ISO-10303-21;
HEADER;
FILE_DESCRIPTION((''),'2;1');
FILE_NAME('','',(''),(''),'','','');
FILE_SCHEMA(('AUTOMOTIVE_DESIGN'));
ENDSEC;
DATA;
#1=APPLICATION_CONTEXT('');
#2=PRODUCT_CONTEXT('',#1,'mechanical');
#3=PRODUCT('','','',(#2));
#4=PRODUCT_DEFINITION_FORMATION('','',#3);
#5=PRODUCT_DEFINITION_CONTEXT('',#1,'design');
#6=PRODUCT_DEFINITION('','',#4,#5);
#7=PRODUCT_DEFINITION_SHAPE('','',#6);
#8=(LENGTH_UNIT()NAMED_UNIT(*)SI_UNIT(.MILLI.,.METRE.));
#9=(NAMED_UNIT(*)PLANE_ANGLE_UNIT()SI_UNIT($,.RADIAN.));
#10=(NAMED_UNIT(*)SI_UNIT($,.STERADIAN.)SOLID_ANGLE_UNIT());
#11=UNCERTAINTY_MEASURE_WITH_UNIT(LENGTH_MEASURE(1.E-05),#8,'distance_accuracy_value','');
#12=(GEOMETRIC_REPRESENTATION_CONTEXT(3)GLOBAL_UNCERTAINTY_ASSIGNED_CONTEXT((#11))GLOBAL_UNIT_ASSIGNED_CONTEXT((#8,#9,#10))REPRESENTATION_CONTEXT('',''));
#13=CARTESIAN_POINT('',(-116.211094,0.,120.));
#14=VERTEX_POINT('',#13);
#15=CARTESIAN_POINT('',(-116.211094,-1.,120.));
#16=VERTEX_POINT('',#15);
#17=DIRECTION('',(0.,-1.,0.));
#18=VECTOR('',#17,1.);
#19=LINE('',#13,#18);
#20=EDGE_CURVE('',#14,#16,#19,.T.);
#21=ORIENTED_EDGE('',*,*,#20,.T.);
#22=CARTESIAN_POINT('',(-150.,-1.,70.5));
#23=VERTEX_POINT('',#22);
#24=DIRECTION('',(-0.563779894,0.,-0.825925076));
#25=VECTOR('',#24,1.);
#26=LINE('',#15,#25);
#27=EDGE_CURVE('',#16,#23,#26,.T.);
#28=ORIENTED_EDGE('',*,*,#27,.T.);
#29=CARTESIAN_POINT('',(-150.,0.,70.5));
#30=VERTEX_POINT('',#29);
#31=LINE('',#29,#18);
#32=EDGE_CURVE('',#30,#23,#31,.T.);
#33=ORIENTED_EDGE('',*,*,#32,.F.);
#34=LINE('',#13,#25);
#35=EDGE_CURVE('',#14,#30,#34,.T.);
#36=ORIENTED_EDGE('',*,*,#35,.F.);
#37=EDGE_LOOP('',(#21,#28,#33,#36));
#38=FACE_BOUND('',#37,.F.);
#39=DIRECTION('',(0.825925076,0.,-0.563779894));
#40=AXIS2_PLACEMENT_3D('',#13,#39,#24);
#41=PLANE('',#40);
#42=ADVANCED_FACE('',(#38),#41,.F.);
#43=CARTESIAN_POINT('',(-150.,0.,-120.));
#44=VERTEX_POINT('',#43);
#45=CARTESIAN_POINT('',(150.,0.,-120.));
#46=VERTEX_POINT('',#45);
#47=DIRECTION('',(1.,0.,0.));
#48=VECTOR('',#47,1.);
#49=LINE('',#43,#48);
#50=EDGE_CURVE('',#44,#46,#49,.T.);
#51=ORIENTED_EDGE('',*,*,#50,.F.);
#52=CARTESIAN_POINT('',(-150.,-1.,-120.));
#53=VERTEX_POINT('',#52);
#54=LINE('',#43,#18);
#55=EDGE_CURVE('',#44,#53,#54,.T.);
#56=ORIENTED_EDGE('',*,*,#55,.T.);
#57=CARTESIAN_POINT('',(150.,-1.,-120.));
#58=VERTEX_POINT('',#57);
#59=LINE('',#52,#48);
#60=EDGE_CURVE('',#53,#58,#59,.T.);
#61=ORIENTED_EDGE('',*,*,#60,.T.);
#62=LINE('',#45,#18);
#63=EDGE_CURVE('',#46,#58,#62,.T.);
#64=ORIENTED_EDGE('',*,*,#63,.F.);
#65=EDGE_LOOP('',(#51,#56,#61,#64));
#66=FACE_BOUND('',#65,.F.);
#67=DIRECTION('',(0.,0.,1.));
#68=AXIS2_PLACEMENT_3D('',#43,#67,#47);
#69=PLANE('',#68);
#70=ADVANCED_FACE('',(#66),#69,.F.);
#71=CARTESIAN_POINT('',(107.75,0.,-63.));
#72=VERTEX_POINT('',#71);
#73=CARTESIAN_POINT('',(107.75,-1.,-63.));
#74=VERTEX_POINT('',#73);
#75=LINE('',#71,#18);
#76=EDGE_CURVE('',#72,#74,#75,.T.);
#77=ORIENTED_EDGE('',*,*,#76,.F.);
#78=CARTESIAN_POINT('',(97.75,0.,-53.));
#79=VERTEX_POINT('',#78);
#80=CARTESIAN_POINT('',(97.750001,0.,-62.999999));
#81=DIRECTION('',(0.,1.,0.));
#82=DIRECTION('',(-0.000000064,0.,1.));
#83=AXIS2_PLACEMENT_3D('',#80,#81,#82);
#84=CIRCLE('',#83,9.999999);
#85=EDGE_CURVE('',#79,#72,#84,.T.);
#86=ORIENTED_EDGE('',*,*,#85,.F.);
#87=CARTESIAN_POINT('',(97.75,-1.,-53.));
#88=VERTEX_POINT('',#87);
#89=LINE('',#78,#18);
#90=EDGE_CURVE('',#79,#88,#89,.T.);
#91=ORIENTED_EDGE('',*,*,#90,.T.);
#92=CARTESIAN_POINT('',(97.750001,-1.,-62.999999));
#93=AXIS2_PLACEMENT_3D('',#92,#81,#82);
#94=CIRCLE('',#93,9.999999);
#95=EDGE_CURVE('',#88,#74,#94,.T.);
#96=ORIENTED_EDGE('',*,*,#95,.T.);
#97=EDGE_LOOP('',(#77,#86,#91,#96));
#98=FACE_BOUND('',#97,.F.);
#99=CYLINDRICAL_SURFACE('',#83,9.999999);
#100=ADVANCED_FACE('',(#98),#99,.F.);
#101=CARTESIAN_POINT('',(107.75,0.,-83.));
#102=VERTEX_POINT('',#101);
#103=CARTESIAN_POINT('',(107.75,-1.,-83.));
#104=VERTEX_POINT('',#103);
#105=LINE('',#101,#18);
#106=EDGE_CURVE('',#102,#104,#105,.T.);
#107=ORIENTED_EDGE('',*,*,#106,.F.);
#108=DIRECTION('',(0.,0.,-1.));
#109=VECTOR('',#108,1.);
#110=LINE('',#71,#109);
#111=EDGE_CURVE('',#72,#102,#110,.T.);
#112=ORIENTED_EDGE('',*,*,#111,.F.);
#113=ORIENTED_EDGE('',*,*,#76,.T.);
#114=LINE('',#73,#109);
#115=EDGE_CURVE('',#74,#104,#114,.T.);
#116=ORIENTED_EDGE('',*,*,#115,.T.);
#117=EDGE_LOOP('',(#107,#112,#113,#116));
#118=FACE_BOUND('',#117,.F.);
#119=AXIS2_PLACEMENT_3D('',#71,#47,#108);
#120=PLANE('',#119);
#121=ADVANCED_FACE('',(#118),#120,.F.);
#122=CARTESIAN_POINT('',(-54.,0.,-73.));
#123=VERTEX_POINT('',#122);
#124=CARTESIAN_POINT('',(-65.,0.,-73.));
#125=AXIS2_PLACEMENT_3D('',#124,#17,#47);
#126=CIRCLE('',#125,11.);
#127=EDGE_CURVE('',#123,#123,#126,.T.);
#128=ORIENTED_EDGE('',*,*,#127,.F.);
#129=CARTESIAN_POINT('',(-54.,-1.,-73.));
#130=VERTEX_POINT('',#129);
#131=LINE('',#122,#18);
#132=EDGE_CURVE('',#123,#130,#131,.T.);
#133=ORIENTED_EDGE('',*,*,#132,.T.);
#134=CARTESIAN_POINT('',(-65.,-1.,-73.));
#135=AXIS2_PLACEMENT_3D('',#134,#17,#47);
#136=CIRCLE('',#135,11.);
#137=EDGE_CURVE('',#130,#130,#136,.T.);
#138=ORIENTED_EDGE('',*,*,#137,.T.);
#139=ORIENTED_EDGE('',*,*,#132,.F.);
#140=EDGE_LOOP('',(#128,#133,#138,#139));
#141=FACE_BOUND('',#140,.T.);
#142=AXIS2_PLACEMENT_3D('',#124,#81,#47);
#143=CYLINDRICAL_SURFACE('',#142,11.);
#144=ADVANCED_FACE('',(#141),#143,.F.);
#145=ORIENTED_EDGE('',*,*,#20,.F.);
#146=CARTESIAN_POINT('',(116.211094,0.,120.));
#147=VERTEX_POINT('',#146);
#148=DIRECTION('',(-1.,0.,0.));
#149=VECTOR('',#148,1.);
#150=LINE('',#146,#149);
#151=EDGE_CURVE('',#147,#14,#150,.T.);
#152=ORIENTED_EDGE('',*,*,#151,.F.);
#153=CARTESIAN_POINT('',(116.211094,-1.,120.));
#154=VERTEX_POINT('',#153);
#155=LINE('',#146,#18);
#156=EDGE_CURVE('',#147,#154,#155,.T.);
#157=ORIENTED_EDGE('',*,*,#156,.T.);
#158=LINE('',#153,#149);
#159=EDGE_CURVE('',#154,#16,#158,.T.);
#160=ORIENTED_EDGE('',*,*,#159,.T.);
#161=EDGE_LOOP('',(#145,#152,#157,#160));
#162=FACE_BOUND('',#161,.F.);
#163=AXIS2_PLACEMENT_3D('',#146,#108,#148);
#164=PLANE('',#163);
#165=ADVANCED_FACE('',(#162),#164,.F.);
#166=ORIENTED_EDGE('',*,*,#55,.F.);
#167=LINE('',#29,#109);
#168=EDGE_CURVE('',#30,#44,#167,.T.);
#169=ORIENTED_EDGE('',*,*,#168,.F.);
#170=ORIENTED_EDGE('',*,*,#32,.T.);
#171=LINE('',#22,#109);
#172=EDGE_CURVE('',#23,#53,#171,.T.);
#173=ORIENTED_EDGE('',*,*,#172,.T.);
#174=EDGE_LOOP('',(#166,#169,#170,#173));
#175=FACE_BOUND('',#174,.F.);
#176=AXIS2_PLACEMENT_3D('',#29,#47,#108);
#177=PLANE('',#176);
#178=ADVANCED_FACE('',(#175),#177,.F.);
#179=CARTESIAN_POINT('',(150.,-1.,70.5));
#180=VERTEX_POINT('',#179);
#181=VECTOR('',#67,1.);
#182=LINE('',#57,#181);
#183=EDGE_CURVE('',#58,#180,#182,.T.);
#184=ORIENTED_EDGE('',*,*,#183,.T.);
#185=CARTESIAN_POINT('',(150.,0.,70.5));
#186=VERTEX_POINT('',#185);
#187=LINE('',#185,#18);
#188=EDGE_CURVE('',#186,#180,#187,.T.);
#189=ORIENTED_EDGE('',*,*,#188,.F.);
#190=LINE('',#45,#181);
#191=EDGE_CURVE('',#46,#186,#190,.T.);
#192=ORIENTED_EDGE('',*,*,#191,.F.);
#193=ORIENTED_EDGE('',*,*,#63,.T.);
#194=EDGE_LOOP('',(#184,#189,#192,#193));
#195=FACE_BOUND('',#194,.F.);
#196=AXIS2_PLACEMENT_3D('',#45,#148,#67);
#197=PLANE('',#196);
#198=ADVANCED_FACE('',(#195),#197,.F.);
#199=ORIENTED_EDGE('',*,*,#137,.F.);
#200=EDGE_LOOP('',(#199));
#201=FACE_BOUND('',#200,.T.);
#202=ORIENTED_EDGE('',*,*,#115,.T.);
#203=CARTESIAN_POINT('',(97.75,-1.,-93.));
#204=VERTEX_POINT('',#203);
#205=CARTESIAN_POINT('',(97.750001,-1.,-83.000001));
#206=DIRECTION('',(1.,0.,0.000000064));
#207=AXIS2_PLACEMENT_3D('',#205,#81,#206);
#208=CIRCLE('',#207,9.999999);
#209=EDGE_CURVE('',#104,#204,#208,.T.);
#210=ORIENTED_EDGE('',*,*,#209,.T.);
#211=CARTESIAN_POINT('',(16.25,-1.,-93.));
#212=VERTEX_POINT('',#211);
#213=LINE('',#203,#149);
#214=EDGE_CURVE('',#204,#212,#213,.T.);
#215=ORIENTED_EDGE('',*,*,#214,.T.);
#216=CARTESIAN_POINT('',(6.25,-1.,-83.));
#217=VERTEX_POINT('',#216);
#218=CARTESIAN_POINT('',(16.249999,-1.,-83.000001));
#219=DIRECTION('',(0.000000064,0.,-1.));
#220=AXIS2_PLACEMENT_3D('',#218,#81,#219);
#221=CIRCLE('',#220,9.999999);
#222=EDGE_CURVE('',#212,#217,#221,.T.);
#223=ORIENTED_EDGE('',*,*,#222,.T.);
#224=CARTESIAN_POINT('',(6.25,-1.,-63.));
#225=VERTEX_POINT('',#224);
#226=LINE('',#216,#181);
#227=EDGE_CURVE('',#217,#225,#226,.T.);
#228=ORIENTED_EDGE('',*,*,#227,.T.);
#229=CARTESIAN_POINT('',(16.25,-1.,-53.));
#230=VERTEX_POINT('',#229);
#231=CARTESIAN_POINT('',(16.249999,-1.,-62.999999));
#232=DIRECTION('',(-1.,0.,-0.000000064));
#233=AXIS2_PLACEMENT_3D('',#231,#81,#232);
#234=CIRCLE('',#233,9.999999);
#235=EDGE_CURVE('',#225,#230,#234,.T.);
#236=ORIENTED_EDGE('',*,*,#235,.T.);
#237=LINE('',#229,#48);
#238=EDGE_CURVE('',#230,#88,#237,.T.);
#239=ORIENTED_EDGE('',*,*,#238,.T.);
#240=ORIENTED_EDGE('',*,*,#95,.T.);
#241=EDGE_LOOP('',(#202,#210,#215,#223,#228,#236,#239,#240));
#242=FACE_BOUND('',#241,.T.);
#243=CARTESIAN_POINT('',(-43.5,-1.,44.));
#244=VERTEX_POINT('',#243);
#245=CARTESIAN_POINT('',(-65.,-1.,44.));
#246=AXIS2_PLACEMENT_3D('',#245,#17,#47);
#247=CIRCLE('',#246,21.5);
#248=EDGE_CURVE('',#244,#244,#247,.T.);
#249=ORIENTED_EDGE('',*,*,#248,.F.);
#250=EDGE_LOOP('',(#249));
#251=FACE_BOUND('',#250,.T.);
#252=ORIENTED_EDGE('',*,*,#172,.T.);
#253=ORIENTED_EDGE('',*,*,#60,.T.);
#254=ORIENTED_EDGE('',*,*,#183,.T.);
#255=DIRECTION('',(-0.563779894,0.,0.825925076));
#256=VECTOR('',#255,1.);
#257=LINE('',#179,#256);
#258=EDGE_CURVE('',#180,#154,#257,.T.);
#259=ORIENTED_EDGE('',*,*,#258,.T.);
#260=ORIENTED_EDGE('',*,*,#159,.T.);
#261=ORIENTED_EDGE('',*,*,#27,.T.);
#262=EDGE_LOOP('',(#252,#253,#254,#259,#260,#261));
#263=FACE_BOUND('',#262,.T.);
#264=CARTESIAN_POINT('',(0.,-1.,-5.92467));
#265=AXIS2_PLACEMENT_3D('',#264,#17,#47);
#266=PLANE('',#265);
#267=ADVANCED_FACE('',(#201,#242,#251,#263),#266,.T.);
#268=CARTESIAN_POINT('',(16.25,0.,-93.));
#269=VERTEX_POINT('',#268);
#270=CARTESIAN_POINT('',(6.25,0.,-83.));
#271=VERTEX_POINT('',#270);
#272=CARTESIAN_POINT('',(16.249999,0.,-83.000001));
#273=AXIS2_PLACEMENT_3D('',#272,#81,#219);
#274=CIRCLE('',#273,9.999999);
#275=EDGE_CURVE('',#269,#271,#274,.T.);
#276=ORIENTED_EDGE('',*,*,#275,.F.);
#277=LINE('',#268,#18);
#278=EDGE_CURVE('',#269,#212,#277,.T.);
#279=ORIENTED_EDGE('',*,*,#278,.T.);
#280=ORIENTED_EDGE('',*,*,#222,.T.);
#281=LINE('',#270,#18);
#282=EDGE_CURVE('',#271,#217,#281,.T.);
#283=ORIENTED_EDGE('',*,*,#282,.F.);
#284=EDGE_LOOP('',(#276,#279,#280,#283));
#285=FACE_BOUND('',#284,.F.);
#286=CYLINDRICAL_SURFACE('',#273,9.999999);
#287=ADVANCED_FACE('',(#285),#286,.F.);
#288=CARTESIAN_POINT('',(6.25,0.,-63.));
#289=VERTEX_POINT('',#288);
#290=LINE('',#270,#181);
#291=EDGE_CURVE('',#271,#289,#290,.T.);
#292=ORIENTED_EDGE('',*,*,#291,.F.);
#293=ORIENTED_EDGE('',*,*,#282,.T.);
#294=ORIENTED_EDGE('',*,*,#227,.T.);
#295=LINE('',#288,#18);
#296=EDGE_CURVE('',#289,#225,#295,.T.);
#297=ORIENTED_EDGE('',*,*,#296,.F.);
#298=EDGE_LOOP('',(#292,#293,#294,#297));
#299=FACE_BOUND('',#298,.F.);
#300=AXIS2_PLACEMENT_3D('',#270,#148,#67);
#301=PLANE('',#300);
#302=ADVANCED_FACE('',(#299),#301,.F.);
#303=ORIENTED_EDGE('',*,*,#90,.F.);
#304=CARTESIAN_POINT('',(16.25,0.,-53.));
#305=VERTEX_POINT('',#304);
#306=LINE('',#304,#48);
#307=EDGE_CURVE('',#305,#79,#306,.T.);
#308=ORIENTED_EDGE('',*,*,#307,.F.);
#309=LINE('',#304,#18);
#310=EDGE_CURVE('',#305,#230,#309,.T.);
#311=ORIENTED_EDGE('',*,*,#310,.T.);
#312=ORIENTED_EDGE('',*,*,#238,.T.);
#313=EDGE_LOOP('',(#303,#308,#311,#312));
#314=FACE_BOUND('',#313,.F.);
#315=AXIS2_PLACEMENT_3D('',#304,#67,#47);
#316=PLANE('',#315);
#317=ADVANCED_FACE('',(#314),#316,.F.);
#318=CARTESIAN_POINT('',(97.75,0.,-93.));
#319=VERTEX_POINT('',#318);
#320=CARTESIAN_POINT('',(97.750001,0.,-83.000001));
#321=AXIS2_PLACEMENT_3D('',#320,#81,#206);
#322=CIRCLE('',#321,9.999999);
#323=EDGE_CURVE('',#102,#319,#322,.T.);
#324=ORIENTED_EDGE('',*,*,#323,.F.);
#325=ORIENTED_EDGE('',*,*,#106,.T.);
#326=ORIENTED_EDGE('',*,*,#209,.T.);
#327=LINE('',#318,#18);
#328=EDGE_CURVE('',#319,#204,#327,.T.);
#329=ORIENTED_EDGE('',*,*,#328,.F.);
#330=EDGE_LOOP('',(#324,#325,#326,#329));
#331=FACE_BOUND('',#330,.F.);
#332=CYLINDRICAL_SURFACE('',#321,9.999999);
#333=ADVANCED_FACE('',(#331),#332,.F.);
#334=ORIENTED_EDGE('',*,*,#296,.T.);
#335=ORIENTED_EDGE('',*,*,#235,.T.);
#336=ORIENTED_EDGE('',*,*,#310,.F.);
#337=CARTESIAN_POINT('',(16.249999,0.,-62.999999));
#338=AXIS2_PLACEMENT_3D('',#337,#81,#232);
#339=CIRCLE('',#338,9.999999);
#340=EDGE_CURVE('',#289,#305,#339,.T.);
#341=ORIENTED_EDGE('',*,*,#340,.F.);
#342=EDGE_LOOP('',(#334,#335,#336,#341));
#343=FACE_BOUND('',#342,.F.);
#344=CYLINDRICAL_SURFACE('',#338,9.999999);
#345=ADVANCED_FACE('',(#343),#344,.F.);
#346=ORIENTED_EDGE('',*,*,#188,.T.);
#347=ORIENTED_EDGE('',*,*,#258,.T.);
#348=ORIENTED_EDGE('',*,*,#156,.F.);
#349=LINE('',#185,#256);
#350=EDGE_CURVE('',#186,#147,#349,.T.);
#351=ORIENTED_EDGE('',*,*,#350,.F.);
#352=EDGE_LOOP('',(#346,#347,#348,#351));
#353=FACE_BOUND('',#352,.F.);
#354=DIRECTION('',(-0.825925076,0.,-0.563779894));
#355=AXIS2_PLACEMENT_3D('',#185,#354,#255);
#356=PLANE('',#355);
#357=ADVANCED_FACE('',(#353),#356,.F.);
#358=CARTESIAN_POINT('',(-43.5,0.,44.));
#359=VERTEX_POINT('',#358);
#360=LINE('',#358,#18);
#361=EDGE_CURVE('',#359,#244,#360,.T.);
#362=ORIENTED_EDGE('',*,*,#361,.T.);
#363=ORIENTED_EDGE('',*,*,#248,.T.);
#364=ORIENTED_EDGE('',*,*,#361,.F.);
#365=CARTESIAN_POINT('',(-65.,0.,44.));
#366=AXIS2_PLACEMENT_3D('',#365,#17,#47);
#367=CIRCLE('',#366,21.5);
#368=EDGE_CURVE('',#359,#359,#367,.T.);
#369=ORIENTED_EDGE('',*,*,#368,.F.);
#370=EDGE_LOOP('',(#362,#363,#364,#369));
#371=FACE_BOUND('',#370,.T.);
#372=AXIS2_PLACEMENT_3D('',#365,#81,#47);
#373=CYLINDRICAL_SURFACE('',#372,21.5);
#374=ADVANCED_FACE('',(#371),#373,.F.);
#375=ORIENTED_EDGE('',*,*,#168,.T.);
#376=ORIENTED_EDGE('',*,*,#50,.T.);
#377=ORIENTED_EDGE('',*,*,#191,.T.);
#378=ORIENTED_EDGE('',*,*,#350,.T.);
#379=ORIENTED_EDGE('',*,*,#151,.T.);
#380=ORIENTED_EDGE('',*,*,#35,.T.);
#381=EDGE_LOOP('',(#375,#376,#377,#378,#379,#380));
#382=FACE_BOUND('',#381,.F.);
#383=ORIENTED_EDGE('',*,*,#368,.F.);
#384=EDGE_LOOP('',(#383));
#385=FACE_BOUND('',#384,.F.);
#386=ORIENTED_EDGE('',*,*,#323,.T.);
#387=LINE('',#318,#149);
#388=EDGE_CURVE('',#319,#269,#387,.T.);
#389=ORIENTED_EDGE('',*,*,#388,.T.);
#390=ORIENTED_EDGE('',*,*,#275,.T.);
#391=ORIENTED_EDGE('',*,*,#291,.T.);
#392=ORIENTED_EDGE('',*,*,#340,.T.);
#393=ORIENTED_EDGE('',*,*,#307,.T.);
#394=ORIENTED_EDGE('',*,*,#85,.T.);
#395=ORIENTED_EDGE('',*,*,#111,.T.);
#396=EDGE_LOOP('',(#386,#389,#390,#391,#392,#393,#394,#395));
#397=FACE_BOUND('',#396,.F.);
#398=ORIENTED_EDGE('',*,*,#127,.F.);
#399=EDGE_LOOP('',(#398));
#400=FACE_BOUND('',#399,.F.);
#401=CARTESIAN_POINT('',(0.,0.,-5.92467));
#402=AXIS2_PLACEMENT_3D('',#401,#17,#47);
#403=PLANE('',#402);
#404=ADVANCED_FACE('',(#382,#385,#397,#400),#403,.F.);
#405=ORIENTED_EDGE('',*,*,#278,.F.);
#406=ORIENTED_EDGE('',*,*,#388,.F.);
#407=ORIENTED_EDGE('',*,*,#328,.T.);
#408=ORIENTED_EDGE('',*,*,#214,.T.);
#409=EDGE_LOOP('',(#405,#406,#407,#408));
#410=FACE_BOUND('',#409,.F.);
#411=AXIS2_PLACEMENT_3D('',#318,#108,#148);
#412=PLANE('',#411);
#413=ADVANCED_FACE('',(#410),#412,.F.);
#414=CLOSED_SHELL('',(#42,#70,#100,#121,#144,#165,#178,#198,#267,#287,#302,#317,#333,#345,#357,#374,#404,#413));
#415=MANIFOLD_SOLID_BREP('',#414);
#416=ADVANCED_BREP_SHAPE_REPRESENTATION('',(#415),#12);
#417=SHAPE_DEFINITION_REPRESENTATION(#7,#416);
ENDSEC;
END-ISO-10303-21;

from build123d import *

# Parameters (mm, degrees)
F0_R     = 11
F0_R_2   = 21.5
F1_DEPTH = 1


with BuildPart() as f1:
    # F0 (on Front) → F1 (new body)
    with BuildSketch(Plane.XZ):
        Polygon((-150, -120), (150, -120), (150, 70.5), (116.211094, 120), (-116.211094, 120), (-150, 70.5), align=None)
        with Locations((-65, -73)):
            Circle(F0_R, mode=Mode.SUBTRACT)
        with BuildLine():
            ThreePointArc((107.75, -83), (104.821068, -90.071068), (97.75, -93))
            Line((97.75, -93), (16.25, -93))
            ThreePointArc((16.25, -93), (9.178932, -90.071068), (6.25, -83))
            Line((6.25, -83), (6.25, -63))
            ThreePointArc((6.25, -63), (9.178932, -55.928932), (16.25, -53))
            Line((16.25, -53), (97.75, -53))
            ThreePointArc((97.75, -53), (104.821068, -55.928932), (107.75, -63))
            Line((107.75, -63), (107.75, -83))
        make_face(mode=Mode.SUBTRACT)
        with Locations((-65, 44)):
            Circle(F0_R_2, mode=Mode.SUBTRACT)
    extrude(amount=F1_DEPTH)


solid = f1.part
